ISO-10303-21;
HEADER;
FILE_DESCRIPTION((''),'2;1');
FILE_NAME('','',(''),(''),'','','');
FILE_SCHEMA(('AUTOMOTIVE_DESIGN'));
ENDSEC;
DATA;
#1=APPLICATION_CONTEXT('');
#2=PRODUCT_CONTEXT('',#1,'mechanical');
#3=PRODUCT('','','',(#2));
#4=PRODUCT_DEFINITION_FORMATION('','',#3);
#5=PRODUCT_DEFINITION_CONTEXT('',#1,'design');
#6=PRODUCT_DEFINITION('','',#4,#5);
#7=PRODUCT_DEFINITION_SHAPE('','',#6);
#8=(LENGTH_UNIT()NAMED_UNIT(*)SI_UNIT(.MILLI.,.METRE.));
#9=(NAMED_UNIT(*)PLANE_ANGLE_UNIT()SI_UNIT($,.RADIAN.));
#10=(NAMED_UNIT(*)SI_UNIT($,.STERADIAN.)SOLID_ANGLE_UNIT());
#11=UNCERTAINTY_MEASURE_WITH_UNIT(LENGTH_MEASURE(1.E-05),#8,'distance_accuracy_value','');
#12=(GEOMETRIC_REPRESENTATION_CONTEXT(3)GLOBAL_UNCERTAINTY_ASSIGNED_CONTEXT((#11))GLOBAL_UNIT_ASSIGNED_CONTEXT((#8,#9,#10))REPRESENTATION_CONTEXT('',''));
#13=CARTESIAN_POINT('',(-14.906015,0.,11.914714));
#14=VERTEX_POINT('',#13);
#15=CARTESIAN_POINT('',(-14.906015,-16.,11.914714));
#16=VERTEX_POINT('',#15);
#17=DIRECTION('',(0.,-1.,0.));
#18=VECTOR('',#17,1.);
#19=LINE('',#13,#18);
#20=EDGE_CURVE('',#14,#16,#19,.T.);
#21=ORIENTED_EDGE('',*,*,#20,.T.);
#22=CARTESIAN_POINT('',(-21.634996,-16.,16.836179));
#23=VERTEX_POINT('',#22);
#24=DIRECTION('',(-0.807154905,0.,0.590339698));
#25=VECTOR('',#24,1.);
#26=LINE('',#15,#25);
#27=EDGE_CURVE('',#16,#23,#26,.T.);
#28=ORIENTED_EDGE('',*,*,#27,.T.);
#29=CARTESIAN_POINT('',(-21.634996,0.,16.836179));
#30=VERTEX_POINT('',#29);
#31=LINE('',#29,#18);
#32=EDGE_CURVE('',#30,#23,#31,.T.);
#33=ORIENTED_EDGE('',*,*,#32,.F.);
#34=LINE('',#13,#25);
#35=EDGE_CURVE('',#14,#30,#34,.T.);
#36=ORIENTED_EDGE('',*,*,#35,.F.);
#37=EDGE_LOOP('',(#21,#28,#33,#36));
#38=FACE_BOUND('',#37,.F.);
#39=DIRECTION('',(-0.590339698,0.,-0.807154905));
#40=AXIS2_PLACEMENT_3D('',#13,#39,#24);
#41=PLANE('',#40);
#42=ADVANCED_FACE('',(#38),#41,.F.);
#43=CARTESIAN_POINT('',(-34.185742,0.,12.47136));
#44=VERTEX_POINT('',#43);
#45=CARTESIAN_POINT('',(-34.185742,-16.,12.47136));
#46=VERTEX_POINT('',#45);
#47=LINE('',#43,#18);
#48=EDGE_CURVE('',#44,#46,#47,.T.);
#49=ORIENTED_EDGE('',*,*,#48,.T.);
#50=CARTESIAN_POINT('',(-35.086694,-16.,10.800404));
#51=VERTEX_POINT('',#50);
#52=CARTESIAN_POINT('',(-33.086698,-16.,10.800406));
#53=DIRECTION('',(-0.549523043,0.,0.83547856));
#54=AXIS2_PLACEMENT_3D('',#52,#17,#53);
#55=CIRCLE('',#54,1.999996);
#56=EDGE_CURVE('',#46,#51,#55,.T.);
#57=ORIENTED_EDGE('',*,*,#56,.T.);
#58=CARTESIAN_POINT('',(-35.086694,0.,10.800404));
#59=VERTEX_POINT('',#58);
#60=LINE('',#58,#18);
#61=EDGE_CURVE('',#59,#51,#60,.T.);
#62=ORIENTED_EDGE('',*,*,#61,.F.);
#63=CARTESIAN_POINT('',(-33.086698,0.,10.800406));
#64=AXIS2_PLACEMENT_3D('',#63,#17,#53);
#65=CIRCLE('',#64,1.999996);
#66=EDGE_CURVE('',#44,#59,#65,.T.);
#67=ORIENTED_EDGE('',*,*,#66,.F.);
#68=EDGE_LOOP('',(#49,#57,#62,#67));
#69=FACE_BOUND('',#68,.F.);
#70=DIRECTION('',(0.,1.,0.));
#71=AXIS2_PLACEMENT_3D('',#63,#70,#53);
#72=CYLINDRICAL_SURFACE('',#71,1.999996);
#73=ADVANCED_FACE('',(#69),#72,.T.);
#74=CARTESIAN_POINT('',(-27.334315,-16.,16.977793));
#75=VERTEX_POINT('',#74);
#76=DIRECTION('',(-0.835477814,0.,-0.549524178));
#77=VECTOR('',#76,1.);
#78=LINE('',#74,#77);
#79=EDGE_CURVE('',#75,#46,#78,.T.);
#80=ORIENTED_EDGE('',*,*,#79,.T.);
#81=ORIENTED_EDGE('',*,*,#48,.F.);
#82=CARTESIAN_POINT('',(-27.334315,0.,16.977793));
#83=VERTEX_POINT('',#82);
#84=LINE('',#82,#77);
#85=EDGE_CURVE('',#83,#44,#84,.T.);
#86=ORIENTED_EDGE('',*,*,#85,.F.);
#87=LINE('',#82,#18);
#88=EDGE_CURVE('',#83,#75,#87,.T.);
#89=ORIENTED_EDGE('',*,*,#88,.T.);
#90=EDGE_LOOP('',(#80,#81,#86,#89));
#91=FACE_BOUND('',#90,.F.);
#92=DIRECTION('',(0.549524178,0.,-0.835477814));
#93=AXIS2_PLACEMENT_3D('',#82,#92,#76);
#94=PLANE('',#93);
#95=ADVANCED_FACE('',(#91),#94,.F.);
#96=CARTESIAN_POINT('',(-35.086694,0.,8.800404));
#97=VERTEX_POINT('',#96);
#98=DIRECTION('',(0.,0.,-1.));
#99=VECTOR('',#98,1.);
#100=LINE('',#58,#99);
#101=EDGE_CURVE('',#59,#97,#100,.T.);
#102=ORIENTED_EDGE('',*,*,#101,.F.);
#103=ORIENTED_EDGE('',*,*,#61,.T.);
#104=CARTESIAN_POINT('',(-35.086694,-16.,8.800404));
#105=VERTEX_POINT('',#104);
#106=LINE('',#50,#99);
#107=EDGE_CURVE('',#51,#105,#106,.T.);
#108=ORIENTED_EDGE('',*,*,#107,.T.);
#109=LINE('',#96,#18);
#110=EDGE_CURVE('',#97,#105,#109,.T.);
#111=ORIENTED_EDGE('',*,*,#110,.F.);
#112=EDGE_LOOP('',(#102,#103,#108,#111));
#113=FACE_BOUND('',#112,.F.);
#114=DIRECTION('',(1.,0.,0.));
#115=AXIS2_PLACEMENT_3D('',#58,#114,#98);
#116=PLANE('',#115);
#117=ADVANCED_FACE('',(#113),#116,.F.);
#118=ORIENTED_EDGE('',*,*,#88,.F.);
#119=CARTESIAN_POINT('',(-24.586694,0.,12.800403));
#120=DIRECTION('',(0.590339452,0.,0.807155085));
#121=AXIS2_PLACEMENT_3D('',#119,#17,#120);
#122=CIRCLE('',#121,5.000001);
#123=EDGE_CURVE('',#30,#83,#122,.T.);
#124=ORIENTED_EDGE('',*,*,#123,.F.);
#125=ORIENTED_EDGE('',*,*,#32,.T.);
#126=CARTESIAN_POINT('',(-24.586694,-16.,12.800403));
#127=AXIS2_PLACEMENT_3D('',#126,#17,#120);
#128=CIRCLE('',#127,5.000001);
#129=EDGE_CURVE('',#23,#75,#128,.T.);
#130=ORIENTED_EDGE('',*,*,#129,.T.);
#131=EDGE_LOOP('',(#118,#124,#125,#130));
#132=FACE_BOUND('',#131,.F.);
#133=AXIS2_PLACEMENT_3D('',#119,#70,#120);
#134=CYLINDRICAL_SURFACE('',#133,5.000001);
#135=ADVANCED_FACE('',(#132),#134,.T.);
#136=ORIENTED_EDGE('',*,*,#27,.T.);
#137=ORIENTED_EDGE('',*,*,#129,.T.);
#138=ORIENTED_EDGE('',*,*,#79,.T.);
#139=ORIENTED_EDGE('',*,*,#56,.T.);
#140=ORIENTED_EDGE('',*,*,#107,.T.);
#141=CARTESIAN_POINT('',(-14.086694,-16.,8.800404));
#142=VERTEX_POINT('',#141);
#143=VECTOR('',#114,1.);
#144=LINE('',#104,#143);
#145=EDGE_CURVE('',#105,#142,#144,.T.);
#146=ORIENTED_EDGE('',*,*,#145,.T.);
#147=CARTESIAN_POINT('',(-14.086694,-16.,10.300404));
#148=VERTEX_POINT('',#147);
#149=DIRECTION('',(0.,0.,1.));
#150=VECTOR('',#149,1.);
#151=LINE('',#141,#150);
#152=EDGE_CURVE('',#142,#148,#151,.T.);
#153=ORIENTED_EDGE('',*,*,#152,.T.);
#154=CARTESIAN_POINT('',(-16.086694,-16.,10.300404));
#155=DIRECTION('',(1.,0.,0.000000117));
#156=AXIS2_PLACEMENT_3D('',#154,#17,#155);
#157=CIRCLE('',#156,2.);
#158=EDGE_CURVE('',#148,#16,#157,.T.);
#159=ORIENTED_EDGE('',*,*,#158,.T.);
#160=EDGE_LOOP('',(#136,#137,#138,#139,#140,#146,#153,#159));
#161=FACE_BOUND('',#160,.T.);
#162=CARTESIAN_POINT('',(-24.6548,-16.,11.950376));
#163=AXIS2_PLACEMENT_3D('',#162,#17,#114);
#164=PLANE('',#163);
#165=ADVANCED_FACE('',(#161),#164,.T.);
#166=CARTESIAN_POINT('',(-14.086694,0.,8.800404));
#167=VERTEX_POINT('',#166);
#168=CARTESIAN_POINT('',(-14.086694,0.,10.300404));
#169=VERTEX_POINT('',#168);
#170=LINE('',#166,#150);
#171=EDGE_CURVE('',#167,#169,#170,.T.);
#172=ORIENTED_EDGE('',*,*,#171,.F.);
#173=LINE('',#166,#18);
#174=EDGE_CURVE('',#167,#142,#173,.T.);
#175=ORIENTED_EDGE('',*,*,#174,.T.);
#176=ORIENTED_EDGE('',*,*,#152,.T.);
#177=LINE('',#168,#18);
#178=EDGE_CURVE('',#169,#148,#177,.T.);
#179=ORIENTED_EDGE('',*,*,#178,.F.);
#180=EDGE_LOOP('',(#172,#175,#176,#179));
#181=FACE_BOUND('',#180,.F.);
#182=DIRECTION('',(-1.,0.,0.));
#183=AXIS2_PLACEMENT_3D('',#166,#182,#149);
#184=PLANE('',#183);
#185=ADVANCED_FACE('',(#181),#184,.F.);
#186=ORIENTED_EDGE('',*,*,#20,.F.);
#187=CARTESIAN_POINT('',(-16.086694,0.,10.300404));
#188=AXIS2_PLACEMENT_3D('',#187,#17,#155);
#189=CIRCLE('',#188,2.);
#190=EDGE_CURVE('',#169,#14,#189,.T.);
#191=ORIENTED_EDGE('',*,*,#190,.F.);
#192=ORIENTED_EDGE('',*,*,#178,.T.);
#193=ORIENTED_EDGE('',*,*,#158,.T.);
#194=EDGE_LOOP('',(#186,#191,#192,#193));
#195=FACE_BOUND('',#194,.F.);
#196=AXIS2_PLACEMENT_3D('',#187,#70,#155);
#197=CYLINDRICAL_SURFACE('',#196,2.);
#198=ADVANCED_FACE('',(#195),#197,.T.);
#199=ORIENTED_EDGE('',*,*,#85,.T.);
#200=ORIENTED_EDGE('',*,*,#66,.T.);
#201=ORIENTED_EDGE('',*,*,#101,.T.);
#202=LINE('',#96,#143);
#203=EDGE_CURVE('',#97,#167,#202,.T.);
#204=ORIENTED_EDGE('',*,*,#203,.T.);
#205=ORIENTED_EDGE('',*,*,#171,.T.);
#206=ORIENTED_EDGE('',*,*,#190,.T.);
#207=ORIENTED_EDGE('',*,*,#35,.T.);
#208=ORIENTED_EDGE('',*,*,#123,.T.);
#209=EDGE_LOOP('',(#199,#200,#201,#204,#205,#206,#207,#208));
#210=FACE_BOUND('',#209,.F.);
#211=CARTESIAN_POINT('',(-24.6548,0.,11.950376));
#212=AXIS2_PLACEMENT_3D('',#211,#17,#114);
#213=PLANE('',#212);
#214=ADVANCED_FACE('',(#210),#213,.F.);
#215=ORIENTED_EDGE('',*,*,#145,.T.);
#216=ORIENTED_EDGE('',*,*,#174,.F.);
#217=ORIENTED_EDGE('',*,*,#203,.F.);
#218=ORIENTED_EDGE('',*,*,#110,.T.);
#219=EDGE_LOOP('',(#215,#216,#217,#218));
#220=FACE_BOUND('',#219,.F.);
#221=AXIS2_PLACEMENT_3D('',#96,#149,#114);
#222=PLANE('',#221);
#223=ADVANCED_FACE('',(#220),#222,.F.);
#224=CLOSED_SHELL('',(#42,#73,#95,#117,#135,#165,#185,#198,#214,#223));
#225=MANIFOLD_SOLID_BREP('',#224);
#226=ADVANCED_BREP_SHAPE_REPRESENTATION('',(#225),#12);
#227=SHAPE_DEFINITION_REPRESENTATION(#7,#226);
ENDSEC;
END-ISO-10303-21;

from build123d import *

# Parameters (mm, degrees)
F1_DEPTH = 16


with BuildPart() as f1:
    # F0 (on Front) → F1 (new body)
    with BuildSketch(Plane.XZ):
        with BuildLine():
            Line((-35.086694, 10.800404), (-35.086694, 8.800404))
            Line((-35.086694, 8.800404), (-14.086694, 8.800404))
            Line((-14.086694, 8.800404), (-14.086694, 10.300404))
            ThreePointArc((-14.086694, 10.300404), (-14.303248, 11.205567), (-14.906015, 11.914714))
            Line((-14.906015, 11.914714), (-21.634996, 16.836179))
            ThreePointArc((-21.634996, 16.836179), (-24.462494, 17.798861), (-27.334315, 16.977793))
            Line((-27.334315, 16.977793), (-34.185742, 12.47136))
            ThreePointArc((-34.185742, 12.47136), (-34.847106, 11.749589), (-35.086694, 10.800404))
        make_face()
    extrude(amount=F1_DEPTH)


solid = f1.part
